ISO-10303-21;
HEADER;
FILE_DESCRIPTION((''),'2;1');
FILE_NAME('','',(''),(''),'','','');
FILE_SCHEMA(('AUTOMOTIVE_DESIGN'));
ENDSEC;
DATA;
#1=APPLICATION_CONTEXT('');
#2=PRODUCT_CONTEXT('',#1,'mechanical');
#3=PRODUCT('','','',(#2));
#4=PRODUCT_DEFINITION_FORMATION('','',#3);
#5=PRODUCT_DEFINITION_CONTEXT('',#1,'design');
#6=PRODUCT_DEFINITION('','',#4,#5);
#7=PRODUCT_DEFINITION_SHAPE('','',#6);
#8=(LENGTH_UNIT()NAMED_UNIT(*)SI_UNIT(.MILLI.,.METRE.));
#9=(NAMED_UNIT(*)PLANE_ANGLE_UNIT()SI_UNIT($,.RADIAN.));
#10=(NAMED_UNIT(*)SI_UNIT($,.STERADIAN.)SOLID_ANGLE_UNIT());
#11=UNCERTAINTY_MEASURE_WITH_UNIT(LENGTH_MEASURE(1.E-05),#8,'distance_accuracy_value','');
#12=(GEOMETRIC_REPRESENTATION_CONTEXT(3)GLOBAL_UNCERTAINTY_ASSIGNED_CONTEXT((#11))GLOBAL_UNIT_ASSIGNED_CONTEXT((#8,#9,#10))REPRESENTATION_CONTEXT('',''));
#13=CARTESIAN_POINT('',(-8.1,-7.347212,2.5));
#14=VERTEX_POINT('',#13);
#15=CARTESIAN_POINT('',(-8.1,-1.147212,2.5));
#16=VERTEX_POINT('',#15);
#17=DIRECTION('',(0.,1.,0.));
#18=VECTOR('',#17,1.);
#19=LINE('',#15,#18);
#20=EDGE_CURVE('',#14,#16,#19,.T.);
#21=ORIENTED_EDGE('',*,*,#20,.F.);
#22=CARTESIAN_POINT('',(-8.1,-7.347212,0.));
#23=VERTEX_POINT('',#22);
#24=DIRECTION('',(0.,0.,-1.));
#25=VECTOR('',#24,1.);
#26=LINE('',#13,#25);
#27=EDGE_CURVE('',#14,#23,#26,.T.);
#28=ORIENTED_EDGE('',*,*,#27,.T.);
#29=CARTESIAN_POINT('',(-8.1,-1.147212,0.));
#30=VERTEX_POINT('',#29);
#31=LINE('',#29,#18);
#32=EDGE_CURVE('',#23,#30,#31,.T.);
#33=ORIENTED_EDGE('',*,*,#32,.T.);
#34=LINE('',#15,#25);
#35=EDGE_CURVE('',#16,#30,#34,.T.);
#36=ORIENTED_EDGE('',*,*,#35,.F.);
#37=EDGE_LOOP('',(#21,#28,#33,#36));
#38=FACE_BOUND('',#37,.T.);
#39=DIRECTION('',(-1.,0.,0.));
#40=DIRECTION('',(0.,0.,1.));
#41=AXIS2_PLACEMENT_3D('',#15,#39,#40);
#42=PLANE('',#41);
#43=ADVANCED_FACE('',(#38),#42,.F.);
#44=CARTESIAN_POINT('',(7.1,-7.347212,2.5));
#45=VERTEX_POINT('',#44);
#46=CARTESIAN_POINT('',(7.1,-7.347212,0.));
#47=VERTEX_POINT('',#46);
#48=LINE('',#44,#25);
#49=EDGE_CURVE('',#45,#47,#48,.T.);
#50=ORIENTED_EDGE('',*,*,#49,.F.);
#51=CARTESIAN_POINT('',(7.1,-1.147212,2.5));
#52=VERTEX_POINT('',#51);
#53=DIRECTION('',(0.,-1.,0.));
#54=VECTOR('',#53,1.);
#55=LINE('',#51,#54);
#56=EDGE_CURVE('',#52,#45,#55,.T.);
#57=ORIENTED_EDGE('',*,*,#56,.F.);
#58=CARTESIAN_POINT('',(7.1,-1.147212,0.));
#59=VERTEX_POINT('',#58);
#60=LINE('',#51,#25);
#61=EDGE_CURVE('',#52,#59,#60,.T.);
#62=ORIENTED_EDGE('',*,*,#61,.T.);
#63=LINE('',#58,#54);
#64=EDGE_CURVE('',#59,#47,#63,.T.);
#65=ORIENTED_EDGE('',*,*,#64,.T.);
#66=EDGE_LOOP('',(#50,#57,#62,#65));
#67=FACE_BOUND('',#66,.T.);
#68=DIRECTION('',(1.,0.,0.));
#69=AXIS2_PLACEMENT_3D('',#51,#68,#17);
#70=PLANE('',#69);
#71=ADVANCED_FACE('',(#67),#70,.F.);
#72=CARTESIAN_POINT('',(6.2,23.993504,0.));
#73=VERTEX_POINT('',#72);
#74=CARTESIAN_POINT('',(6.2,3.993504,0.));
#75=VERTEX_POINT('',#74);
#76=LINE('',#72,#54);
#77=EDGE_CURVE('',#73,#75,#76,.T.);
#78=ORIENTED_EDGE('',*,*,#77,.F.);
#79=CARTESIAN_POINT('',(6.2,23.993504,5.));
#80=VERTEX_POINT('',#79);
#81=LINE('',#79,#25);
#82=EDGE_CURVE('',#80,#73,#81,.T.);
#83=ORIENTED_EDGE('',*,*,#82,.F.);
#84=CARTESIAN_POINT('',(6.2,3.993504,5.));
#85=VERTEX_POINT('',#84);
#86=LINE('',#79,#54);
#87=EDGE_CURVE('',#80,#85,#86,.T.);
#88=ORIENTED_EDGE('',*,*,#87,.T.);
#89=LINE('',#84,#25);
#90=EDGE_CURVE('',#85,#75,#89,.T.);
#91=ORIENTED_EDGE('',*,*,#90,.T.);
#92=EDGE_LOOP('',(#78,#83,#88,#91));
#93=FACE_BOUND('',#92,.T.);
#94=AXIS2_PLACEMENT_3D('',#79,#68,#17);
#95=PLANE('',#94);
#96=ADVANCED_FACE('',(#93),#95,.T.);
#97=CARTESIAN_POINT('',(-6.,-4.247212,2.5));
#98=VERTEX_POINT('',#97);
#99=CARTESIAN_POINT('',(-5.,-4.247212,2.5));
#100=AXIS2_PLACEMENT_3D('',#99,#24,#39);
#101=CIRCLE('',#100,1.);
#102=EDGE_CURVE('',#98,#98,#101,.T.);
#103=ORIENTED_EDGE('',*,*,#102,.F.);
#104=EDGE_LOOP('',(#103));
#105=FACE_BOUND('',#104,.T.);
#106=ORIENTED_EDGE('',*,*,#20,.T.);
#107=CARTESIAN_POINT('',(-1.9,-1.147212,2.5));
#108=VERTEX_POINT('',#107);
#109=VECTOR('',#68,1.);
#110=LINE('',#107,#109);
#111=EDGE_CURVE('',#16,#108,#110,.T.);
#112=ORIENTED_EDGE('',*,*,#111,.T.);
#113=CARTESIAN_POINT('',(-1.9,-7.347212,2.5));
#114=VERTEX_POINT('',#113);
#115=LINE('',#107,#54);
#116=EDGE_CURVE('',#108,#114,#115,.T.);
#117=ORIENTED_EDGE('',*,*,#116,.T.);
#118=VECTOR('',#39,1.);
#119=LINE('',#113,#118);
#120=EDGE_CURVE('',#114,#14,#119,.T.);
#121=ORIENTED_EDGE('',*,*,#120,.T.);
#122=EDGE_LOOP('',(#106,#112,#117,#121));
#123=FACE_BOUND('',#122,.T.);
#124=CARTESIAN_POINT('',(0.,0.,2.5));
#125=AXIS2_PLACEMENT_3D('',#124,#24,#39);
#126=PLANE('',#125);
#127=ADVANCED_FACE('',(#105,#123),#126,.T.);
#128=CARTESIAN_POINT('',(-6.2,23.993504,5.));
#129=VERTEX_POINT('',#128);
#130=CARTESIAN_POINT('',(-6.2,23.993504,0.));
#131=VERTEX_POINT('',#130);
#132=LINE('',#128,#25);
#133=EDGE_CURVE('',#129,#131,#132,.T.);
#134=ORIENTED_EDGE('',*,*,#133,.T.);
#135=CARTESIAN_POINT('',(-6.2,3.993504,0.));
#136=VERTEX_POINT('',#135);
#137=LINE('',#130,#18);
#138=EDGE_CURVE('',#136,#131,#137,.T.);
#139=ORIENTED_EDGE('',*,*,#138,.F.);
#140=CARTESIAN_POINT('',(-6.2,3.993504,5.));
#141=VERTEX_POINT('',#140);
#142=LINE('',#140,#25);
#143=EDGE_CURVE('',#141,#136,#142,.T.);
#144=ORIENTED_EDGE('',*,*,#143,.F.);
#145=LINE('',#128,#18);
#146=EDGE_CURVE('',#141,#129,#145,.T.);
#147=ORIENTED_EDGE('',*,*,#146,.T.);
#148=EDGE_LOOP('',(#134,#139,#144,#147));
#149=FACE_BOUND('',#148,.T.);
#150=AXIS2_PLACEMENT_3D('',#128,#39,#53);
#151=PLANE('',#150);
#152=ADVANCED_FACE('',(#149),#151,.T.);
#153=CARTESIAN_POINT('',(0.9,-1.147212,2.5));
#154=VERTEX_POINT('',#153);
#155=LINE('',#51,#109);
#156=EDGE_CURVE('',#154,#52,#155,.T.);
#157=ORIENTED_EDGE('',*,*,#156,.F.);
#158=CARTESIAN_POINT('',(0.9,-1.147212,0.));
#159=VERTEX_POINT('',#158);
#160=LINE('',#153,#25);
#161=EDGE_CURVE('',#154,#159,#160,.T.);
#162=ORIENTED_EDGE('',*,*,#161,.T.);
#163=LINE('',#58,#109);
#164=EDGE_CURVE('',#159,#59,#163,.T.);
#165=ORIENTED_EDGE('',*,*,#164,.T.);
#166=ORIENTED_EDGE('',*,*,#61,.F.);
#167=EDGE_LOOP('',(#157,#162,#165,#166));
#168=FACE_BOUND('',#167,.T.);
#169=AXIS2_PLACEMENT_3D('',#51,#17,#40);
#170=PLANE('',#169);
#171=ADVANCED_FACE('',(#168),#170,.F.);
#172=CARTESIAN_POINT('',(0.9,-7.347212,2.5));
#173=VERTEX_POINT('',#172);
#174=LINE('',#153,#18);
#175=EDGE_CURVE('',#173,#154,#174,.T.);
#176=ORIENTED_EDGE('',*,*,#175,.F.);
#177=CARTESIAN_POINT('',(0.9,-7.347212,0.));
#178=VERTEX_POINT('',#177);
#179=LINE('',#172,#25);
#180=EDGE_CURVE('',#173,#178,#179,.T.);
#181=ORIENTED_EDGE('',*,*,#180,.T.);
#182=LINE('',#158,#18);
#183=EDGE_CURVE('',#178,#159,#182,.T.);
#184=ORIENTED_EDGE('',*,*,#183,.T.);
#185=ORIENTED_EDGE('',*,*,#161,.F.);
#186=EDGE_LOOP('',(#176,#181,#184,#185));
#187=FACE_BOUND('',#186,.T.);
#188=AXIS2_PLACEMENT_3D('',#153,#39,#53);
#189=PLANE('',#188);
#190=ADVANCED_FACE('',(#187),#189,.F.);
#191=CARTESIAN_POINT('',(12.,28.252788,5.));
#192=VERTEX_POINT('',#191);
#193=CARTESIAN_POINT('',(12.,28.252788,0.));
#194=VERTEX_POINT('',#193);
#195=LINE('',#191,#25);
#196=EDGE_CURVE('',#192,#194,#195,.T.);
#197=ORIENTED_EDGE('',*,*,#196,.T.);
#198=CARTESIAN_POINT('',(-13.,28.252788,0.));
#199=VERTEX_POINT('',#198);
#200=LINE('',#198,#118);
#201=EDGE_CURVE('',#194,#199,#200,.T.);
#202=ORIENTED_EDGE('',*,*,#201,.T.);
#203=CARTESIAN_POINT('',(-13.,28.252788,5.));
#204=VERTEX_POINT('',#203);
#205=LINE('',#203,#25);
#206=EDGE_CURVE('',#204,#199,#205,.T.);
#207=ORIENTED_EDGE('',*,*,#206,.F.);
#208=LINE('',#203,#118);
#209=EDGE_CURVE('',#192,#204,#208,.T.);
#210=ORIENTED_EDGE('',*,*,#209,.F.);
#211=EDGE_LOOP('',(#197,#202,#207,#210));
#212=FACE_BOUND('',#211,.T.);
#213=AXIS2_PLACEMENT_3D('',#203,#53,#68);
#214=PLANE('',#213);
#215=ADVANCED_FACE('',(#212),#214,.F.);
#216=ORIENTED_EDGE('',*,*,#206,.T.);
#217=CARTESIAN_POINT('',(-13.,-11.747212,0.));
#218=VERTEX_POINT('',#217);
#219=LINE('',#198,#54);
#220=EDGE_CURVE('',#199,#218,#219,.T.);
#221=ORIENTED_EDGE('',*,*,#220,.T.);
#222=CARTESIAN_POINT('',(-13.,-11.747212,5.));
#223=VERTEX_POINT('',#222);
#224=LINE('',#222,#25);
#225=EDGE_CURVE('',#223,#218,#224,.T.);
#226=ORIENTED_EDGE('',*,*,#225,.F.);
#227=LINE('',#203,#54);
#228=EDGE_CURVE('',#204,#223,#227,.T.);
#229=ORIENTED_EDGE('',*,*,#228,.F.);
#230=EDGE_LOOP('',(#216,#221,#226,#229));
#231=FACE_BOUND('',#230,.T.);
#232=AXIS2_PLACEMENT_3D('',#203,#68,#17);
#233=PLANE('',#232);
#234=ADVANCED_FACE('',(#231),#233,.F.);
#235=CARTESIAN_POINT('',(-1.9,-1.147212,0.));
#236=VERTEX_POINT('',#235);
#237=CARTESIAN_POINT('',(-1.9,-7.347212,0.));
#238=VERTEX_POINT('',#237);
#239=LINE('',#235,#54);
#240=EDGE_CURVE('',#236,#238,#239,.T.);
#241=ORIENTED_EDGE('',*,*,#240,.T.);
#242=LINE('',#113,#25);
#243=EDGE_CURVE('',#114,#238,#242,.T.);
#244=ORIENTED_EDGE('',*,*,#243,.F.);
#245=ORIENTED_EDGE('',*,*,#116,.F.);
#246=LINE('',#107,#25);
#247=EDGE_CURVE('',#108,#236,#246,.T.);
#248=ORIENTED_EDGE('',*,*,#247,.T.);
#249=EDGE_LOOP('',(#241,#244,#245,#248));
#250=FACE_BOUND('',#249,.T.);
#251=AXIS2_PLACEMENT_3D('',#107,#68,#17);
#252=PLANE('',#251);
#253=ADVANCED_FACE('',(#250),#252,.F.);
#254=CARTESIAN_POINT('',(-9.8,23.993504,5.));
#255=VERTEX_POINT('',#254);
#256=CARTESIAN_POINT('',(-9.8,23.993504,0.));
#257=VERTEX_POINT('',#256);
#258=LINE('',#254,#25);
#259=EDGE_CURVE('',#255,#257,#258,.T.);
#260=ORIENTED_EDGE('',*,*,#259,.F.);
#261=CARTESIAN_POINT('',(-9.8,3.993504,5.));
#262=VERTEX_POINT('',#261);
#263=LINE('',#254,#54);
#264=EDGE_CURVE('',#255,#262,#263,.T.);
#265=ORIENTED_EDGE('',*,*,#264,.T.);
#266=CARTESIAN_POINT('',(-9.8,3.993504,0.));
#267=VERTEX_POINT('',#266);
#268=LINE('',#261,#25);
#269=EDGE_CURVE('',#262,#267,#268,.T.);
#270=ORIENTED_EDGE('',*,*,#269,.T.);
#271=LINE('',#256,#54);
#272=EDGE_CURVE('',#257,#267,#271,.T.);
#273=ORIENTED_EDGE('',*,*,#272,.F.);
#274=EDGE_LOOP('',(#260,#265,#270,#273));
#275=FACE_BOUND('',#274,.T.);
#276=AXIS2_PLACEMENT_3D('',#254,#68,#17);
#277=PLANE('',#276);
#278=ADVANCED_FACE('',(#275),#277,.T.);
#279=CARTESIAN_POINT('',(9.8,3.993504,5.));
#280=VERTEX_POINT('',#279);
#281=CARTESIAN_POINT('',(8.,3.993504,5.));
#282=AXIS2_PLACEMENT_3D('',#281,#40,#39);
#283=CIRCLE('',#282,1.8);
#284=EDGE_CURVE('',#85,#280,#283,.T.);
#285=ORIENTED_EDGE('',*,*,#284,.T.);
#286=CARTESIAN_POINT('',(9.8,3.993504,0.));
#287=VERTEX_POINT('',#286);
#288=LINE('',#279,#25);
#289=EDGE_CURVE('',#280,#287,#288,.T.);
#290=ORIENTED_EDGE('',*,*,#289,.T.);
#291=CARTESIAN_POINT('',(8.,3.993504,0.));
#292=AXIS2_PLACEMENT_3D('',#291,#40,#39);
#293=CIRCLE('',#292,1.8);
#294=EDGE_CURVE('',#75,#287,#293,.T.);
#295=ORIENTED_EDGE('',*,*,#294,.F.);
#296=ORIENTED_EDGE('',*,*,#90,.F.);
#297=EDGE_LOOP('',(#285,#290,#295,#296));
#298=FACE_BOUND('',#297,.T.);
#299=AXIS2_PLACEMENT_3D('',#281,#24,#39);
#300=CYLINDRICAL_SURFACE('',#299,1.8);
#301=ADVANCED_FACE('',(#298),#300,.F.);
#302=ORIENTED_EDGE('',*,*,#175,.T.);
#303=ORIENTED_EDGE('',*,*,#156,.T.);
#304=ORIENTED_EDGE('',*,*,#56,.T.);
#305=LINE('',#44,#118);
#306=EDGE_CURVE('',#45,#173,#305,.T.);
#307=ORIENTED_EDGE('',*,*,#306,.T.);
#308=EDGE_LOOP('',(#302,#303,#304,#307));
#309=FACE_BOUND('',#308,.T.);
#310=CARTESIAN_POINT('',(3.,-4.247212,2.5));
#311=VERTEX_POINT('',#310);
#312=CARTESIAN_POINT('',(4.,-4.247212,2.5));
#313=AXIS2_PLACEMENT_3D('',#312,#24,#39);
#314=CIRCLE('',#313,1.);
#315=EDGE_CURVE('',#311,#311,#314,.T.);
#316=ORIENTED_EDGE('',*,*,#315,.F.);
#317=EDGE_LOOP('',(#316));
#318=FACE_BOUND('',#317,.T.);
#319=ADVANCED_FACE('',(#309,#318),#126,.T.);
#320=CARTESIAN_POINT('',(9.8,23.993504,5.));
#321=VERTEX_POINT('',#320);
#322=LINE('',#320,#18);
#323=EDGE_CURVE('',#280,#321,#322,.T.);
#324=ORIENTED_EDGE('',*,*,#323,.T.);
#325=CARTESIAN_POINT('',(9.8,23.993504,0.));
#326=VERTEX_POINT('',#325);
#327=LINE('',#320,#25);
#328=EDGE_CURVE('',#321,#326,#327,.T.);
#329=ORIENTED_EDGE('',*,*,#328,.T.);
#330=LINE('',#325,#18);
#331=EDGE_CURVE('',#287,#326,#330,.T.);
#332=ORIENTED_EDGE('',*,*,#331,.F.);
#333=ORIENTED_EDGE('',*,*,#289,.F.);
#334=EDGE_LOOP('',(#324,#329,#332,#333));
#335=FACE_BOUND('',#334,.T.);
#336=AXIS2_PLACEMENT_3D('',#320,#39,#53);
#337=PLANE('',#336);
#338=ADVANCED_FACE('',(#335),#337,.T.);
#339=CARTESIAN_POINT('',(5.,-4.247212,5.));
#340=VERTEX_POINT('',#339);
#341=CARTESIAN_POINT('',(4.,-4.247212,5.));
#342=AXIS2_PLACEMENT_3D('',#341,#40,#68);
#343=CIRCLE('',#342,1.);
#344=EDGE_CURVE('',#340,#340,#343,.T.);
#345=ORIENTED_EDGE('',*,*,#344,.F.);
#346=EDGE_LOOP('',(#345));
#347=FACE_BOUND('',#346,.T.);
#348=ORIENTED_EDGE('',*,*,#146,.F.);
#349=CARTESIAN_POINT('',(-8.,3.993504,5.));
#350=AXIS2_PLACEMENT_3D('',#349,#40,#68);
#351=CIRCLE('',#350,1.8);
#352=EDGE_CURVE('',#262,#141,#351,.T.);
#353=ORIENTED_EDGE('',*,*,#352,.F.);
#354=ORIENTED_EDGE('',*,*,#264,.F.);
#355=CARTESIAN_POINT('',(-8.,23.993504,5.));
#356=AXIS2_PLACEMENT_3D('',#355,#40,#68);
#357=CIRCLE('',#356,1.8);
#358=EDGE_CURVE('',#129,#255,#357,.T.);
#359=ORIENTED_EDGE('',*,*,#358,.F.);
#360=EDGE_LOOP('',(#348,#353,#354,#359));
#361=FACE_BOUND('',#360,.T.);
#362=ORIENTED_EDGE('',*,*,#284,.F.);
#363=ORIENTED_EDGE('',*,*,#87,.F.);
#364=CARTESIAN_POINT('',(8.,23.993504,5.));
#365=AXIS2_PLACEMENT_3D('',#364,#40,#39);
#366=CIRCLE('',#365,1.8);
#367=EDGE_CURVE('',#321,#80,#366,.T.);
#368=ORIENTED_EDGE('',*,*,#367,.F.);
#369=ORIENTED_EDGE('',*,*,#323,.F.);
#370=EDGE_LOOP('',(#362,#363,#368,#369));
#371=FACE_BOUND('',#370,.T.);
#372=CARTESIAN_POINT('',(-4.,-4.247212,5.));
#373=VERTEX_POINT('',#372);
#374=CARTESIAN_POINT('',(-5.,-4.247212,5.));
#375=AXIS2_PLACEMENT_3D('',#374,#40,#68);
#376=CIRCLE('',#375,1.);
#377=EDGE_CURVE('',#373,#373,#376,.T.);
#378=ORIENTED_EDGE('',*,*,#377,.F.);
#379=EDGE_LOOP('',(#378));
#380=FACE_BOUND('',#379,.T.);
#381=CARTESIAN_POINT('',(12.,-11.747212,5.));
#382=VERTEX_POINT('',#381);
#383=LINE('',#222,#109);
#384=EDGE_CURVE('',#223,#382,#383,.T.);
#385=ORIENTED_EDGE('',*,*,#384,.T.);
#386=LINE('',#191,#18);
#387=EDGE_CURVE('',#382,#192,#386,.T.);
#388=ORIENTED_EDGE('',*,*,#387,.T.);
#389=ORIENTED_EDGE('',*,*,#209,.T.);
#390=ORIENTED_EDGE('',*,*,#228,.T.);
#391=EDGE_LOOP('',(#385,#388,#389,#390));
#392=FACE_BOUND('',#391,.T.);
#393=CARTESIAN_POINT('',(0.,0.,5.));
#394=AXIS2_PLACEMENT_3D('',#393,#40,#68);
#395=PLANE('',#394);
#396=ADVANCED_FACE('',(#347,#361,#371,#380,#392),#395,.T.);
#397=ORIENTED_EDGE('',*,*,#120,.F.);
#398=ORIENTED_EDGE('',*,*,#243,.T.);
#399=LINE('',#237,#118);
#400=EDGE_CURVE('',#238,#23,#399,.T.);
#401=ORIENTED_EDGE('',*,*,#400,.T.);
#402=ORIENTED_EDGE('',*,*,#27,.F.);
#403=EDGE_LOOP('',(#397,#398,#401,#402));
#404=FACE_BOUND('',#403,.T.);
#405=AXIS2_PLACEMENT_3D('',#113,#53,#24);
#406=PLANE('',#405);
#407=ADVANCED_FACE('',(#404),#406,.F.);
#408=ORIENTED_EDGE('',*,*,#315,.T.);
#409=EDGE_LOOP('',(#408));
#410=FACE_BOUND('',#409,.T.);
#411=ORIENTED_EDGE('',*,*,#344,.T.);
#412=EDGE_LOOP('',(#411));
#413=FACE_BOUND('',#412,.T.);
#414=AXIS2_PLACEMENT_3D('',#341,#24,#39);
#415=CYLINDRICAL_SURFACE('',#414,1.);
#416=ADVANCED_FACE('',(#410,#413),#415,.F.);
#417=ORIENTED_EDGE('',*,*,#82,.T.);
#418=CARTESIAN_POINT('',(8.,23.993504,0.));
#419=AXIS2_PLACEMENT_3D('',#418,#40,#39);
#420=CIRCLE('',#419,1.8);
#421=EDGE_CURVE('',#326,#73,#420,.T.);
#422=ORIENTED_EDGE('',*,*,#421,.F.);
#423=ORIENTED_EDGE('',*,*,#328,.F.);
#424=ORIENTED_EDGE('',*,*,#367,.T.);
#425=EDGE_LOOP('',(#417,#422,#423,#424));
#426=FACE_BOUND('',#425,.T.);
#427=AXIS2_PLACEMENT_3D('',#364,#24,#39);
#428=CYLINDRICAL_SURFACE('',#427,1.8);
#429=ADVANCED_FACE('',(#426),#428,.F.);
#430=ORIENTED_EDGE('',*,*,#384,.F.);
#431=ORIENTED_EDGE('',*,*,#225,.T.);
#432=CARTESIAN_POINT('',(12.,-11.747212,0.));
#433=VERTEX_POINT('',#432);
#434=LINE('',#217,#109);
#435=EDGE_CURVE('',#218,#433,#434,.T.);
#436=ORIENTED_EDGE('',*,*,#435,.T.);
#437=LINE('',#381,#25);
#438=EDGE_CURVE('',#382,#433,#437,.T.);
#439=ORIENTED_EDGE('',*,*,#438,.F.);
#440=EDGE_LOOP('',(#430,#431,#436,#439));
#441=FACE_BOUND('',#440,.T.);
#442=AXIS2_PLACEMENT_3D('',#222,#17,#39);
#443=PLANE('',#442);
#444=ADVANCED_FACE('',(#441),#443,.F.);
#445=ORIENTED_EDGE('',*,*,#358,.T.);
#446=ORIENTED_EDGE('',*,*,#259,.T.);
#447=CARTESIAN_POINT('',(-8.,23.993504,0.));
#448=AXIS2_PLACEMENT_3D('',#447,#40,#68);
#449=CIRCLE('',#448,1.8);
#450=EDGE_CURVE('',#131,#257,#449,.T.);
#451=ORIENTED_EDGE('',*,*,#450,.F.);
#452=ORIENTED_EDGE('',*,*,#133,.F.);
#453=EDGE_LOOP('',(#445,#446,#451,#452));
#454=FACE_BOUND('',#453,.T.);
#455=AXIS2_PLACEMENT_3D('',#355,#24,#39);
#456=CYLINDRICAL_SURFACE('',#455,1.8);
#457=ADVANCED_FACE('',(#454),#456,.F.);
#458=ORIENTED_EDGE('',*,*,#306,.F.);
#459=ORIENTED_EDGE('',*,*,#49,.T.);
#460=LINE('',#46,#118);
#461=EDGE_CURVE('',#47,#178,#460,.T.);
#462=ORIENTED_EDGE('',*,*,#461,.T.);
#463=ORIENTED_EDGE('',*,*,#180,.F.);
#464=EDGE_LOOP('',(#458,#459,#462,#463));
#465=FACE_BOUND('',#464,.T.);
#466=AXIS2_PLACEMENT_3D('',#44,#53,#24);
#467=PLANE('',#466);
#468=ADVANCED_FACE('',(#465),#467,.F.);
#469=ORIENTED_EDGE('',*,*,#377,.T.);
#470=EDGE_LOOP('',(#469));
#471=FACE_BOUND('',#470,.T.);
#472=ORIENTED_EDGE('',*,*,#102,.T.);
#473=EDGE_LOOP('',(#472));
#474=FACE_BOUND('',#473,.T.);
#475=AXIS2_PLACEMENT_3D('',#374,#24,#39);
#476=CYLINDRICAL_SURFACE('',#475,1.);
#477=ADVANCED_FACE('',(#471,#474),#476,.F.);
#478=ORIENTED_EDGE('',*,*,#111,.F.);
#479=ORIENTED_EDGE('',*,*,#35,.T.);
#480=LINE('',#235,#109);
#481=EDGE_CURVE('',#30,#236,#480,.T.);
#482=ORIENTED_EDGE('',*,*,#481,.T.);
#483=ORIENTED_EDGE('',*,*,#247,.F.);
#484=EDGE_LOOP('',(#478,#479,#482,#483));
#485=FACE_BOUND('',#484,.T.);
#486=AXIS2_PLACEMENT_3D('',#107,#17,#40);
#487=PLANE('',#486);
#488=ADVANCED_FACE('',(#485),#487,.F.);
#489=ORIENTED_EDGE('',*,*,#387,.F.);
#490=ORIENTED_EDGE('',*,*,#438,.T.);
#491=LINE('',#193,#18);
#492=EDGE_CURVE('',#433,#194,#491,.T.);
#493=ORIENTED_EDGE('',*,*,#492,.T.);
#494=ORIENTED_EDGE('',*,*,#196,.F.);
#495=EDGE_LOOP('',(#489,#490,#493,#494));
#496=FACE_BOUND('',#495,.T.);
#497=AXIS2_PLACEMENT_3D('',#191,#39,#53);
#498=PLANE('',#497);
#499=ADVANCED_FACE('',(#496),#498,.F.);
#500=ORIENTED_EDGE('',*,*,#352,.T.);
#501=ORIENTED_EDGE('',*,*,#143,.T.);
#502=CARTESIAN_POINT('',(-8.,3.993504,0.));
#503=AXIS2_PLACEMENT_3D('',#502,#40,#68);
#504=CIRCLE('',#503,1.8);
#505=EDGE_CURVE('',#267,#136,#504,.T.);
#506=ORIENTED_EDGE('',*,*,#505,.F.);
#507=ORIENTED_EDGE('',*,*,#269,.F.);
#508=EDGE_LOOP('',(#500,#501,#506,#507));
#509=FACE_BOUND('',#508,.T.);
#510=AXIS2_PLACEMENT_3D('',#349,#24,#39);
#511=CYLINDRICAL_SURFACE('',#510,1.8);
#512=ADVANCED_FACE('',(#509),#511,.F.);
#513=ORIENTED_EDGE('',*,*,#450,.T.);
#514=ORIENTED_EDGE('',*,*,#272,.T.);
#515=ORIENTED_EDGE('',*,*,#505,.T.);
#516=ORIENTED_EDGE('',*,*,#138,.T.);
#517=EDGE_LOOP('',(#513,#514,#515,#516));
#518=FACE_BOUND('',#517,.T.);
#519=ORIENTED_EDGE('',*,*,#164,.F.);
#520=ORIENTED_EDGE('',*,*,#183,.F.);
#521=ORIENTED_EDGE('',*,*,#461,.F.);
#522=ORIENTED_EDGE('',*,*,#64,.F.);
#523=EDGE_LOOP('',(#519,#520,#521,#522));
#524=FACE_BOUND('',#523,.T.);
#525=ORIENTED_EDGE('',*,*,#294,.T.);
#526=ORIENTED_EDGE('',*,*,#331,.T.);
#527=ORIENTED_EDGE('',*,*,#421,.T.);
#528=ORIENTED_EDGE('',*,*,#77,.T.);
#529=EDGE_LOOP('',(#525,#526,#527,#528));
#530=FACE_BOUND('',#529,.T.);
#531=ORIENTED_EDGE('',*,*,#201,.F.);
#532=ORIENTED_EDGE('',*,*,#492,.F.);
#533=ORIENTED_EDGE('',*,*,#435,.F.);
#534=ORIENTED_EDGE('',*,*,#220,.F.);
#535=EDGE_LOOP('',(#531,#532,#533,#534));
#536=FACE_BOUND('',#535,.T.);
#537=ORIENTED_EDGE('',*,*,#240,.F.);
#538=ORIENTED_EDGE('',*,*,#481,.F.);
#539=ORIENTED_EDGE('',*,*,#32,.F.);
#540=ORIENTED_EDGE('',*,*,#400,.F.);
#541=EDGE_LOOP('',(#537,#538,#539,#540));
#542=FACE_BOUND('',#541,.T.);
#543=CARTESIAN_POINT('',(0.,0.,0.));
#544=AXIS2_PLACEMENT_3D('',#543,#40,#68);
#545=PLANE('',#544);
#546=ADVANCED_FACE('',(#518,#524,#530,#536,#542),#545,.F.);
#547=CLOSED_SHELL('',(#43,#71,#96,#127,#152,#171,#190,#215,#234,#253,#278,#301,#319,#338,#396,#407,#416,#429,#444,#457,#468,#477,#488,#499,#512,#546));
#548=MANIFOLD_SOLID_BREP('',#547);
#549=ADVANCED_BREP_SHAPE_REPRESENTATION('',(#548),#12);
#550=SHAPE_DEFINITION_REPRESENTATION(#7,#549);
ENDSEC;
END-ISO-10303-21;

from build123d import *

# Parameters (mm, degrees)
SKETCH1_W           = 25
SKETCH1_H           = 40
SKETCH1_R           = 1
BOSS_EXTRUDE1_DEPTH = 5
SKETCH2_W           = 6.2
SKETCH2_H           = 6.2
CUT_EXTRUDE1_DEPTH  = 2.5


with BuildPart() as part:
    # Sketch1 → Boss-Extrude1 (new body)
    with BuildSketch(Plane.XY):
        with Locations((-0.5, 8.252788104)):
            Rectangle(SKETCH1_W, SKETCH1_H)
        with Locations((-5, -4.247211896)):
            Circle(SKETCH1_R, mode=Mode.SUBTRACT)
        with Locations((4, -4.247211896)):
            Circle(SKETCH1_R, mode=Mode.SUBTRACT)
        with BuildLine():
            Line((-6.2, 23.993504103), (-6.2, 3.993504103))
            ThreePointArc((-6.2, 3.993504103), (-8, 2.193504103), (-9.8, 3.993504103))
            Line((-9.8, 3.993504103), (-9.8, 23.993504103))
            ThreePointArc((-9.8, 23.993504103), (-8, 25.793504103), (-6.2, 23.993504103))
        make_face(mode=Mode.SUBTRACT)
        with BuildLine():
            Line((6.2, 23.993504103), (6.2, 3.993504103))
            ThreePointArc((6.2, 3.993504103), (8, 2.193504103), (9.8, 3.993504103))
            Line((9.8, 3.993504103), (9.8, 23.993504103))
            ThreePointArc((9.8, 23.993504103), (8, 25.793504103), (6.2, 23.993504103))
        make_face(mode=Mode.SUBTRACT)
    extrude(amount=BOSS_EXTRUDE1_DEPTH)

    # Sketch2 → Cut-Extrude1 (cut)
    with BuildSketch(Plane(origin=(0, 0, 0), x_dir=(-1, 0, 0), z_dir=(0, 0, -1))):
        with Locations((-4, -4.247211896)):
            Rectangle(SKETCH2_W, SKETCH2_H)
        with Locations((5, -4.247211896)):
            Rectangle(SKETCH2_W, SKETCH2_H)
    extrude(amount=-CUT_EXTRUDE1_DEPTH, mode=Mode.SUBTRACT)


solid = part.part
